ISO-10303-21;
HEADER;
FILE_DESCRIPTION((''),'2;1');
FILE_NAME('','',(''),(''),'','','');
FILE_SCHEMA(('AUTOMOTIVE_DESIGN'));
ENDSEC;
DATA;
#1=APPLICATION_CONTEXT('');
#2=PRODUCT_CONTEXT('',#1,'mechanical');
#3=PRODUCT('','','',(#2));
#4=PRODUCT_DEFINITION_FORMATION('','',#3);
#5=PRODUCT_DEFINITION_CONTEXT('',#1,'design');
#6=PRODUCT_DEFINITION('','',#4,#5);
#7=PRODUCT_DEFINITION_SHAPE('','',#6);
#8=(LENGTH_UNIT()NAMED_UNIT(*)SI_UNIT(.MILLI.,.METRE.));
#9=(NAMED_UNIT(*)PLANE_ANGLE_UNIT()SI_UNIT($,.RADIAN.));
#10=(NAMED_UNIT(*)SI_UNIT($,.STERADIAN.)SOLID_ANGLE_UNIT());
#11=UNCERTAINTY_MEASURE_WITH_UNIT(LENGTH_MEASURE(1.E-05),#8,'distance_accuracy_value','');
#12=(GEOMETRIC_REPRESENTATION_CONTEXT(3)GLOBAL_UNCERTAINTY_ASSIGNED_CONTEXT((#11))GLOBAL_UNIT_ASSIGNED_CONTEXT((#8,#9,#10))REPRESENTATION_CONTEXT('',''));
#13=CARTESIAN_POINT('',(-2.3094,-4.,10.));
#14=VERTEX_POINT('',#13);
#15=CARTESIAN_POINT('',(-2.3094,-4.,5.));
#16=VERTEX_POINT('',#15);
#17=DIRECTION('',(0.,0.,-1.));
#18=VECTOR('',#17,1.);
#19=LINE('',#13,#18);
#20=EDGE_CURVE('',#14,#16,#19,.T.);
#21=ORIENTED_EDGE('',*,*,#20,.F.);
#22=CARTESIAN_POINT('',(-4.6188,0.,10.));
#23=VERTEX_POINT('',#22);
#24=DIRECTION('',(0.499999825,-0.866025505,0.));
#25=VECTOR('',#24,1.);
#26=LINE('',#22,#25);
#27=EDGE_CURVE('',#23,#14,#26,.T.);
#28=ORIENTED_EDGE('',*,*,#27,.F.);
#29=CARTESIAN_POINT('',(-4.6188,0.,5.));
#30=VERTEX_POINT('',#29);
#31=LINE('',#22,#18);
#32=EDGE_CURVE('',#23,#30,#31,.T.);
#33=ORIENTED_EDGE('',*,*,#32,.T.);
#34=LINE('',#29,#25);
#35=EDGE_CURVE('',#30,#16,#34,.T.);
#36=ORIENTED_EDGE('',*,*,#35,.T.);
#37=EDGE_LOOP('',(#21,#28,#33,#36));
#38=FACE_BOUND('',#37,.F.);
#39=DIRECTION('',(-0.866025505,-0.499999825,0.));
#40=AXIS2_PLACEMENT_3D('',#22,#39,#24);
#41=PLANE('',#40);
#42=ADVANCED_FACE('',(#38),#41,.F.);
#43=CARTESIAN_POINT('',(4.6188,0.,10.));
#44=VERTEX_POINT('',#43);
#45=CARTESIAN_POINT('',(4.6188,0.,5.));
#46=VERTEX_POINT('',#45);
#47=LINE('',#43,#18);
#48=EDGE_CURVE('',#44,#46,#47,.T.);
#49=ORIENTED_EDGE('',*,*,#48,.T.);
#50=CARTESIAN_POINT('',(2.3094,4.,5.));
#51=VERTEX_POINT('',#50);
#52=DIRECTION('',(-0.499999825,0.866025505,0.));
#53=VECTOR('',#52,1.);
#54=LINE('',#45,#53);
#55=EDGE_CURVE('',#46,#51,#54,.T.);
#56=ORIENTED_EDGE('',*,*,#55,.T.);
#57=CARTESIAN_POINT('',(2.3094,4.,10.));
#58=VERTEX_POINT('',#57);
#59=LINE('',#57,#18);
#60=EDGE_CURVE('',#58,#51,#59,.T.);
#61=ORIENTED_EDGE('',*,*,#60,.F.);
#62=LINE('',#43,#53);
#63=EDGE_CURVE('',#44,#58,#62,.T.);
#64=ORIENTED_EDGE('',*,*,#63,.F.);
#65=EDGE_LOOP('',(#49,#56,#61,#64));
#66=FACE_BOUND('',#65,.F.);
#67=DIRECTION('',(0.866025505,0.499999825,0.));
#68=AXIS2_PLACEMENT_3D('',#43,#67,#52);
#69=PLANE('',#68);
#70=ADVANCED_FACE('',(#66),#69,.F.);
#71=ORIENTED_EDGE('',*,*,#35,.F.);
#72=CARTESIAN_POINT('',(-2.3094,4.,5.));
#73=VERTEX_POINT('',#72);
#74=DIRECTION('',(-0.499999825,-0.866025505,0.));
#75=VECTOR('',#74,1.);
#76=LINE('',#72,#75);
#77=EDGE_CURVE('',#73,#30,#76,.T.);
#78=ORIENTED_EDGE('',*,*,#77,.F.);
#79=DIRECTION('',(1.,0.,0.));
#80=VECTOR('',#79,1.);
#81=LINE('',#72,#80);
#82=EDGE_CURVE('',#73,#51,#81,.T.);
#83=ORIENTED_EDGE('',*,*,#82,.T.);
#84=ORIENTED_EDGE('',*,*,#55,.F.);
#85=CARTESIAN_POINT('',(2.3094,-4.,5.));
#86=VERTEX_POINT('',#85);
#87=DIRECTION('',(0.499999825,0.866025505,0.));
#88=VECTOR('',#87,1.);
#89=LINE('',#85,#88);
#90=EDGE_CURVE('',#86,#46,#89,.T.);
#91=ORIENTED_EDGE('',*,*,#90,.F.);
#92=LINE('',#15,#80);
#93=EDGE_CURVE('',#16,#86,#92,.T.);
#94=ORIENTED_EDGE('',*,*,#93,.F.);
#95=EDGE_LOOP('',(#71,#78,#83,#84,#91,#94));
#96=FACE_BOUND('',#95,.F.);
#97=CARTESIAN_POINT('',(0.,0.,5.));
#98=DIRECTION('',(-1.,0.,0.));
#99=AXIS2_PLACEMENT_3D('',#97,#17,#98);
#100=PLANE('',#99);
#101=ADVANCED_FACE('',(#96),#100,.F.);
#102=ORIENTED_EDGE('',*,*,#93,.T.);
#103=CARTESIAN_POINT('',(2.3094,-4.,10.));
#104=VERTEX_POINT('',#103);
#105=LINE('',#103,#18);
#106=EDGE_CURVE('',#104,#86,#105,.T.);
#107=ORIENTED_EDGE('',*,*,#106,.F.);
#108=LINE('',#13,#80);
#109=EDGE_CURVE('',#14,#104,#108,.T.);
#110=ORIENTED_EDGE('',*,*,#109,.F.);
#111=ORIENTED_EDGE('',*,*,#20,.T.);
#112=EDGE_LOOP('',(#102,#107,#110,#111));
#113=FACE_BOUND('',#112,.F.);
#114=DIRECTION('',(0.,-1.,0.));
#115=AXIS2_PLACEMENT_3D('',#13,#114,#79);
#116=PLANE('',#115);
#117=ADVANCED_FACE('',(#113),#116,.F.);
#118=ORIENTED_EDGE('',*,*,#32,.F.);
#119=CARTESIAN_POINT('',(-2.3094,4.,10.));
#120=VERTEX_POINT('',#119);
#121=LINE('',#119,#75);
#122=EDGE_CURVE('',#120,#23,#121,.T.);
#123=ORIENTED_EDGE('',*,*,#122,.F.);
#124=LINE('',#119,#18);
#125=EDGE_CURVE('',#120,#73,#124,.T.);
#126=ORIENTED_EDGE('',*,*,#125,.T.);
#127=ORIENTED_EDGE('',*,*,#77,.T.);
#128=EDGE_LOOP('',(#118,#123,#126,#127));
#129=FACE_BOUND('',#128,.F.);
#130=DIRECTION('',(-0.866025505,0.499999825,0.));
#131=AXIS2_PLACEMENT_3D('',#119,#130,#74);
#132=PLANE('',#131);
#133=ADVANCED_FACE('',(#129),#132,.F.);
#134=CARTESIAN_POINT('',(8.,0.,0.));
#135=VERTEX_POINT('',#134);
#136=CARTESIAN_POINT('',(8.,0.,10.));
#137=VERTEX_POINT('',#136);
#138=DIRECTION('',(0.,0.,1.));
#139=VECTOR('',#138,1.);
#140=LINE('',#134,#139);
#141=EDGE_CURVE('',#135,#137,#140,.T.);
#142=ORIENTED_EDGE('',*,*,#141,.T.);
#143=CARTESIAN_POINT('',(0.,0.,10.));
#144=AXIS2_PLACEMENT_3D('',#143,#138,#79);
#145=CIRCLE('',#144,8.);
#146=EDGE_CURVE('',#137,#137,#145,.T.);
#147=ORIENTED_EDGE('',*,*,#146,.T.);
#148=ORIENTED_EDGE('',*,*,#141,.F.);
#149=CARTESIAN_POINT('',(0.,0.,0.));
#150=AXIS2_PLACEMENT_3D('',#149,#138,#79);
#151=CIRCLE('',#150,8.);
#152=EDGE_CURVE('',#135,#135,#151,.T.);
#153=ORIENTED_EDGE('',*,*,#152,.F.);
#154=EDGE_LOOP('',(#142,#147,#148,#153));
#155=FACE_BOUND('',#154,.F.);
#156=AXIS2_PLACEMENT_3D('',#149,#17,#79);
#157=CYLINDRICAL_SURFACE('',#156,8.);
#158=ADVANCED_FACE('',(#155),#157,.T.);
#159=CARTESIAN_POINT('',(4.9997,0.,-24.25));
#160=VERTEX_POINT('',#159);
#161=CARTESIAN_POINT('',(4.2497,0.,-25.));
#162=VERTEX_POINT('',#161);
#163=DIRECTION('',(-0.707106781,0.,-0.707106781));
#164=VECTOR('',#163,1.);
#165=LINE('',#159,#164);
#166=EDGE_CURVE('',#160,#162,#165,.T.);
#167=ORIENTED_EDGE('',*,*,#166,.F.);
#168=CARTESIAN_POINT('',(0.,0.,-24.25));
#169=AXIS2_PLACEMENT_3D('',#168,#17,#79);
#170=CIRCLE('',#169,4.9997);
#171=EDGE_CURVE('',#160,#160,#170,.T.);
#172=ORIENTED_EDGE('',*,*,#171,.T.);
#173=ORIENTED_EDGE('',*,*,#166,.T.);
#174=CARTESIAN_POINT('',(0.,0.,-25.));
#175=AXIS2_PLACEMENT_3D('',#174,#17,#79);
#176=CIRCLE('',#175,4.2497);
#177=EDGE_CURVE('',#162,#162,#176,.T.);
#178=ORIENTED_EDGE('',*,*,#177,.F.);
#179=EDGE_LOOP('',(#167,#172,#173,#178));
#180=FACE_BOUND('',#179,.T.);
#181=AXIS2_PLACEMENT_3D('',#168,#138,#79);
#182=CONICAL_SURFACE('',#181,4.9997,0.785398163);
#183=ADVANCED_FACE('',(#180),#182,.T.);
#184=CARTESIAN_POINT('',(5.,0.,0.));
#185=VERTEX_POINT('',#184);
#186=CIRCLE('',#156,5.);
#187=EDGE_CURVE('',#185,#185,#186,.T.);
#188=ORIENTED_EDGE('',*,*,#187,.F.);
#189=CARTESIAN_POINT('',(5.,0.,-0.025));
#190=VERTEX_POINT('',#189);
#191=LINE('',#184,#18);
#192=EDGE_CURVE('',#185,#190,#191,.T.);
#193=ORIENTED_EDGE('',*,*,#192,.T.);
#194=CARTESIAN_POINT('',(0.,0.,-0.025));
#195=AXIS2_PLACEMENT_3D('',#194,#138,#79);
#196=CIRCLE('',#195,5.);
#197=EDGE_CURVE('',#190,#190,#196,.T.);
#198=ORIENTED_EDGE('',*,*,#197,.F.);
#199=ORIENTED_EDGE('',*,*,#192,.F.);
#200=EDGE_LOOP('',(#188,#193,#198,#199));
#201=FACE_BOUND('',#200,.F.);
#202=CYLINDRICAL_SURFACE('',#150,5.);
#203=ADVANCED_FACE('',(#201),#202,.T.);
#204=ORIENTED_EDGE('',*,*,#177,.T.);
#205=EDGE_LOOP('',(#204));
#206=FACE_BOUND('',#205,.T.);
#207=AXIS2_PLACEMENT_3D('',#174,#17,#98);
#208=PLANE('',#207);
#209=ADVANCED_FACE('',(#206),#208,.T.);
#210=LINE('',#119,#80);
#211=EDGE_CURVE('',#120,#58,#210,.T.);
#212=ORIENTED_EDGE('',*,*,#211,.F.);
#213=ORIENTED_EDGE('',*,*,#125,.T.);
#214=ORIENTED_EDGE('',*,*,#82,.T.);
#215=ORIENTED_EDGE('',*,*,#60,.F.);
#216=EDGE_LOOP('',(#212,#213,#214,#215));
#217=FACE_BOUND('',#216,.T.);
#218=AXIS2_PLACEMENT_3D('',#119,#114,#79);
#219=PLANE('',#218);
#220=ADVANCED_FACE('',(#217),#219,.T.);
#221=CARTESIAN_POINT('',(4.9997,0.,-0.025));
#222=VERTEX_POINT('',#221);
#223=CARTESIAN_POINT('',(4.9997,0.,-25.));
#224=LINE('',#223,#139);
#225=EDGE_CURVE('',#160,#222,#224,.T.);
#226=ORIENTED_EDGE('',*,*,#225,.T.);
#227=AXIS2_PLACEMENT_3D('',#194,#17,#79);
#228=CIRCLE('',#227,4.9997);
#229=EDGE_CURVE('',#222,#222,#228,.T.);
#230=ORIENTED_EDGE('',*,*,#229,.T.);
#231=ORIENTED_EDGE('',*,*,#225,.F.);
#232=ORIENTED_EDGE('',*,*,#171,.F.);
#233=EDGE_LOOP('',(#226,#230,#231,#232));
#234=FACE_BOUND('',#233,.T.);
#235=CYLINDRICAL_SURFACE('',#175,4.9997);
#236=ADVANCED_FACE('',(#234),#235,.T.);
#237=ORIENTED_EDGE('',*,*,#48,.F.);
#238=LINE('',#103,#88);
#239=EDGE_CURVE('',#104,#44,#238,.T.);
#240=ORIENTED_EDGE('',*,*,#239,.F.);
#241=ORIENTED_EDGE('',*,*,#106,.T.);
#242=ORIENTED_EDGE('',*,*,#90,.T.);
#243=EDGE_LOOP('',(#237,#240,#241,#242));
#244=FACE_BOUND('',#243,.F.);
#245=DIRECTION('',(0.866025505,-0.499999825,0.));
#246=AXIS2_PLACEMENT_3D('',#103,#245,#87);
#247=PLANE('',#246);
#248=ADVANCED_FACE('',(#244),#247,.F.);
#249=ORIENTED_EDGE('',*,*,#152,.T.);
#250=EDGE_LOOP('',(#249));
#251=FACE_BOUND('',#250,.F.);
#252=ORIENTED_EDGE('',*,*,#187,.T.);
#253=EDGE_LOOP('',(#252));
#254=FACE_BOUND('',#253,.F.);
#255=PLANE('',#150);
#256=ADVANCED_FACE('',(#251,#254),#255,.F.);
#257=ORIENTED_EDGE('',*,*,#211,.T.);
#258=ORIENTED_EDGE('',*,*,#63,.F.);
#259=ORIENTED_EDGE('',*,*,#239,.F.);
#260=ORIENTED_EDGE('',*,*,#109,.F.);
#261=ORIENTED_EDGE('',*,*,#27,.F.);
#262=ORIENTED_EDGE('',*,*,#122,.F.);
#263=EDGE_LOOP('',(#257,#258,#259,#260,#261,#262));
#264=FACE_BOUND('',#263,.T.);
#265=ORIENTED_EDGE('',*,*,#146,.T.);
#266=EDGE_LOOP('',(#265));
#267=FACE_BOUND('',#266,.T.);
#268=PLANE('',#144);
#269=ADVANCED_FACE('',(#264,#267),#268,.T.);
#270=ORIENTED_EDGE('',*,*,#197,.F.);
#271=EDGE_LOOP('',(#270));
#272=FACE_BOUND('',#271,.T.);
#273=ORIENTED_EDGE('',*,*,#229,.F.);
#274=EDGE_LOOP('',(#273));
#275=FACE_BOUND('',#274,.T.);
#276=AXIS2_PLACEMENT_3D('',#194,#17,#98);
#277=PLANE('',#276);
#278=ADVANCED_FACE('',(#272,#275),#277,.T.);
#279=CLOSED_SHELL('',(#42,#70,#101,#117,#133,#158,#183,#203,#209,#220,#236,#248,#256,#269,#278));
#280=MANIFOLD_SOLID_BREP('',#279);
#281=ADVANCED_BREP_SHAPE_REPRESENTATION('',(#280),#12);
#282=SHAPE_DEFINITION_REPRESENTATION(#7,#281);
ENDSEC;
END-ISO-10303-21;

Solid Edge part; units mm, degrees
sketch "Sketch1" plane through (0, 0, 0) normal (0, 0, 1) x (1, 0, 0)
  circle A0 centre (0, 0) radius 8
  dimension "D1" = 16
extrude "Protrusion1" add sketch "Sketch1" along normal blind 10
sketch "Sketch2" plane through (0, 0, 0) normal (0, 0, -1) x (1, 0, 0)
  circle A0 centre (0, 0) radius 5
extrude "Protrusion2" add sketch "Sketch2" along normal blind 25
sketch "Sketch3" plane through (0, 0, -25) normal (0, 0, -1) x (1, 0, 0)
  circle A0 centre (0, 0) radius 4.9997
extrude "Cutout1" cut sketch "Sketch3" against normal blind 24.975 flip side to cut
chamfer "Chamfer_1" distance 0.75 angle 45 1 edges at (-4.9997, 0, -25)
sketch "Sketch4" plane through (0, 0, 10) normal (0, 0, 1) x (1, 0, 0)
  line L0 (-2.3094, 4) -> (2.3094, 4)
  line L1 (4.6188, 0) -> (2.3094, 4)
  line L2 (2.3094, -4) -> (4.6188, 0)
  line L3 (-2.3094, -4) -> (2.3094, -4)
  line L4 (-4.6188, 0) -> (-2.3094, -4)
  line L5 (-2.3094, 4) -> (-4.6188, 0)
  dimension "D1" = 8
extrude "Cutout2" cut sketch "Sketch4" against normal blind 5
properties part number "24102802"
